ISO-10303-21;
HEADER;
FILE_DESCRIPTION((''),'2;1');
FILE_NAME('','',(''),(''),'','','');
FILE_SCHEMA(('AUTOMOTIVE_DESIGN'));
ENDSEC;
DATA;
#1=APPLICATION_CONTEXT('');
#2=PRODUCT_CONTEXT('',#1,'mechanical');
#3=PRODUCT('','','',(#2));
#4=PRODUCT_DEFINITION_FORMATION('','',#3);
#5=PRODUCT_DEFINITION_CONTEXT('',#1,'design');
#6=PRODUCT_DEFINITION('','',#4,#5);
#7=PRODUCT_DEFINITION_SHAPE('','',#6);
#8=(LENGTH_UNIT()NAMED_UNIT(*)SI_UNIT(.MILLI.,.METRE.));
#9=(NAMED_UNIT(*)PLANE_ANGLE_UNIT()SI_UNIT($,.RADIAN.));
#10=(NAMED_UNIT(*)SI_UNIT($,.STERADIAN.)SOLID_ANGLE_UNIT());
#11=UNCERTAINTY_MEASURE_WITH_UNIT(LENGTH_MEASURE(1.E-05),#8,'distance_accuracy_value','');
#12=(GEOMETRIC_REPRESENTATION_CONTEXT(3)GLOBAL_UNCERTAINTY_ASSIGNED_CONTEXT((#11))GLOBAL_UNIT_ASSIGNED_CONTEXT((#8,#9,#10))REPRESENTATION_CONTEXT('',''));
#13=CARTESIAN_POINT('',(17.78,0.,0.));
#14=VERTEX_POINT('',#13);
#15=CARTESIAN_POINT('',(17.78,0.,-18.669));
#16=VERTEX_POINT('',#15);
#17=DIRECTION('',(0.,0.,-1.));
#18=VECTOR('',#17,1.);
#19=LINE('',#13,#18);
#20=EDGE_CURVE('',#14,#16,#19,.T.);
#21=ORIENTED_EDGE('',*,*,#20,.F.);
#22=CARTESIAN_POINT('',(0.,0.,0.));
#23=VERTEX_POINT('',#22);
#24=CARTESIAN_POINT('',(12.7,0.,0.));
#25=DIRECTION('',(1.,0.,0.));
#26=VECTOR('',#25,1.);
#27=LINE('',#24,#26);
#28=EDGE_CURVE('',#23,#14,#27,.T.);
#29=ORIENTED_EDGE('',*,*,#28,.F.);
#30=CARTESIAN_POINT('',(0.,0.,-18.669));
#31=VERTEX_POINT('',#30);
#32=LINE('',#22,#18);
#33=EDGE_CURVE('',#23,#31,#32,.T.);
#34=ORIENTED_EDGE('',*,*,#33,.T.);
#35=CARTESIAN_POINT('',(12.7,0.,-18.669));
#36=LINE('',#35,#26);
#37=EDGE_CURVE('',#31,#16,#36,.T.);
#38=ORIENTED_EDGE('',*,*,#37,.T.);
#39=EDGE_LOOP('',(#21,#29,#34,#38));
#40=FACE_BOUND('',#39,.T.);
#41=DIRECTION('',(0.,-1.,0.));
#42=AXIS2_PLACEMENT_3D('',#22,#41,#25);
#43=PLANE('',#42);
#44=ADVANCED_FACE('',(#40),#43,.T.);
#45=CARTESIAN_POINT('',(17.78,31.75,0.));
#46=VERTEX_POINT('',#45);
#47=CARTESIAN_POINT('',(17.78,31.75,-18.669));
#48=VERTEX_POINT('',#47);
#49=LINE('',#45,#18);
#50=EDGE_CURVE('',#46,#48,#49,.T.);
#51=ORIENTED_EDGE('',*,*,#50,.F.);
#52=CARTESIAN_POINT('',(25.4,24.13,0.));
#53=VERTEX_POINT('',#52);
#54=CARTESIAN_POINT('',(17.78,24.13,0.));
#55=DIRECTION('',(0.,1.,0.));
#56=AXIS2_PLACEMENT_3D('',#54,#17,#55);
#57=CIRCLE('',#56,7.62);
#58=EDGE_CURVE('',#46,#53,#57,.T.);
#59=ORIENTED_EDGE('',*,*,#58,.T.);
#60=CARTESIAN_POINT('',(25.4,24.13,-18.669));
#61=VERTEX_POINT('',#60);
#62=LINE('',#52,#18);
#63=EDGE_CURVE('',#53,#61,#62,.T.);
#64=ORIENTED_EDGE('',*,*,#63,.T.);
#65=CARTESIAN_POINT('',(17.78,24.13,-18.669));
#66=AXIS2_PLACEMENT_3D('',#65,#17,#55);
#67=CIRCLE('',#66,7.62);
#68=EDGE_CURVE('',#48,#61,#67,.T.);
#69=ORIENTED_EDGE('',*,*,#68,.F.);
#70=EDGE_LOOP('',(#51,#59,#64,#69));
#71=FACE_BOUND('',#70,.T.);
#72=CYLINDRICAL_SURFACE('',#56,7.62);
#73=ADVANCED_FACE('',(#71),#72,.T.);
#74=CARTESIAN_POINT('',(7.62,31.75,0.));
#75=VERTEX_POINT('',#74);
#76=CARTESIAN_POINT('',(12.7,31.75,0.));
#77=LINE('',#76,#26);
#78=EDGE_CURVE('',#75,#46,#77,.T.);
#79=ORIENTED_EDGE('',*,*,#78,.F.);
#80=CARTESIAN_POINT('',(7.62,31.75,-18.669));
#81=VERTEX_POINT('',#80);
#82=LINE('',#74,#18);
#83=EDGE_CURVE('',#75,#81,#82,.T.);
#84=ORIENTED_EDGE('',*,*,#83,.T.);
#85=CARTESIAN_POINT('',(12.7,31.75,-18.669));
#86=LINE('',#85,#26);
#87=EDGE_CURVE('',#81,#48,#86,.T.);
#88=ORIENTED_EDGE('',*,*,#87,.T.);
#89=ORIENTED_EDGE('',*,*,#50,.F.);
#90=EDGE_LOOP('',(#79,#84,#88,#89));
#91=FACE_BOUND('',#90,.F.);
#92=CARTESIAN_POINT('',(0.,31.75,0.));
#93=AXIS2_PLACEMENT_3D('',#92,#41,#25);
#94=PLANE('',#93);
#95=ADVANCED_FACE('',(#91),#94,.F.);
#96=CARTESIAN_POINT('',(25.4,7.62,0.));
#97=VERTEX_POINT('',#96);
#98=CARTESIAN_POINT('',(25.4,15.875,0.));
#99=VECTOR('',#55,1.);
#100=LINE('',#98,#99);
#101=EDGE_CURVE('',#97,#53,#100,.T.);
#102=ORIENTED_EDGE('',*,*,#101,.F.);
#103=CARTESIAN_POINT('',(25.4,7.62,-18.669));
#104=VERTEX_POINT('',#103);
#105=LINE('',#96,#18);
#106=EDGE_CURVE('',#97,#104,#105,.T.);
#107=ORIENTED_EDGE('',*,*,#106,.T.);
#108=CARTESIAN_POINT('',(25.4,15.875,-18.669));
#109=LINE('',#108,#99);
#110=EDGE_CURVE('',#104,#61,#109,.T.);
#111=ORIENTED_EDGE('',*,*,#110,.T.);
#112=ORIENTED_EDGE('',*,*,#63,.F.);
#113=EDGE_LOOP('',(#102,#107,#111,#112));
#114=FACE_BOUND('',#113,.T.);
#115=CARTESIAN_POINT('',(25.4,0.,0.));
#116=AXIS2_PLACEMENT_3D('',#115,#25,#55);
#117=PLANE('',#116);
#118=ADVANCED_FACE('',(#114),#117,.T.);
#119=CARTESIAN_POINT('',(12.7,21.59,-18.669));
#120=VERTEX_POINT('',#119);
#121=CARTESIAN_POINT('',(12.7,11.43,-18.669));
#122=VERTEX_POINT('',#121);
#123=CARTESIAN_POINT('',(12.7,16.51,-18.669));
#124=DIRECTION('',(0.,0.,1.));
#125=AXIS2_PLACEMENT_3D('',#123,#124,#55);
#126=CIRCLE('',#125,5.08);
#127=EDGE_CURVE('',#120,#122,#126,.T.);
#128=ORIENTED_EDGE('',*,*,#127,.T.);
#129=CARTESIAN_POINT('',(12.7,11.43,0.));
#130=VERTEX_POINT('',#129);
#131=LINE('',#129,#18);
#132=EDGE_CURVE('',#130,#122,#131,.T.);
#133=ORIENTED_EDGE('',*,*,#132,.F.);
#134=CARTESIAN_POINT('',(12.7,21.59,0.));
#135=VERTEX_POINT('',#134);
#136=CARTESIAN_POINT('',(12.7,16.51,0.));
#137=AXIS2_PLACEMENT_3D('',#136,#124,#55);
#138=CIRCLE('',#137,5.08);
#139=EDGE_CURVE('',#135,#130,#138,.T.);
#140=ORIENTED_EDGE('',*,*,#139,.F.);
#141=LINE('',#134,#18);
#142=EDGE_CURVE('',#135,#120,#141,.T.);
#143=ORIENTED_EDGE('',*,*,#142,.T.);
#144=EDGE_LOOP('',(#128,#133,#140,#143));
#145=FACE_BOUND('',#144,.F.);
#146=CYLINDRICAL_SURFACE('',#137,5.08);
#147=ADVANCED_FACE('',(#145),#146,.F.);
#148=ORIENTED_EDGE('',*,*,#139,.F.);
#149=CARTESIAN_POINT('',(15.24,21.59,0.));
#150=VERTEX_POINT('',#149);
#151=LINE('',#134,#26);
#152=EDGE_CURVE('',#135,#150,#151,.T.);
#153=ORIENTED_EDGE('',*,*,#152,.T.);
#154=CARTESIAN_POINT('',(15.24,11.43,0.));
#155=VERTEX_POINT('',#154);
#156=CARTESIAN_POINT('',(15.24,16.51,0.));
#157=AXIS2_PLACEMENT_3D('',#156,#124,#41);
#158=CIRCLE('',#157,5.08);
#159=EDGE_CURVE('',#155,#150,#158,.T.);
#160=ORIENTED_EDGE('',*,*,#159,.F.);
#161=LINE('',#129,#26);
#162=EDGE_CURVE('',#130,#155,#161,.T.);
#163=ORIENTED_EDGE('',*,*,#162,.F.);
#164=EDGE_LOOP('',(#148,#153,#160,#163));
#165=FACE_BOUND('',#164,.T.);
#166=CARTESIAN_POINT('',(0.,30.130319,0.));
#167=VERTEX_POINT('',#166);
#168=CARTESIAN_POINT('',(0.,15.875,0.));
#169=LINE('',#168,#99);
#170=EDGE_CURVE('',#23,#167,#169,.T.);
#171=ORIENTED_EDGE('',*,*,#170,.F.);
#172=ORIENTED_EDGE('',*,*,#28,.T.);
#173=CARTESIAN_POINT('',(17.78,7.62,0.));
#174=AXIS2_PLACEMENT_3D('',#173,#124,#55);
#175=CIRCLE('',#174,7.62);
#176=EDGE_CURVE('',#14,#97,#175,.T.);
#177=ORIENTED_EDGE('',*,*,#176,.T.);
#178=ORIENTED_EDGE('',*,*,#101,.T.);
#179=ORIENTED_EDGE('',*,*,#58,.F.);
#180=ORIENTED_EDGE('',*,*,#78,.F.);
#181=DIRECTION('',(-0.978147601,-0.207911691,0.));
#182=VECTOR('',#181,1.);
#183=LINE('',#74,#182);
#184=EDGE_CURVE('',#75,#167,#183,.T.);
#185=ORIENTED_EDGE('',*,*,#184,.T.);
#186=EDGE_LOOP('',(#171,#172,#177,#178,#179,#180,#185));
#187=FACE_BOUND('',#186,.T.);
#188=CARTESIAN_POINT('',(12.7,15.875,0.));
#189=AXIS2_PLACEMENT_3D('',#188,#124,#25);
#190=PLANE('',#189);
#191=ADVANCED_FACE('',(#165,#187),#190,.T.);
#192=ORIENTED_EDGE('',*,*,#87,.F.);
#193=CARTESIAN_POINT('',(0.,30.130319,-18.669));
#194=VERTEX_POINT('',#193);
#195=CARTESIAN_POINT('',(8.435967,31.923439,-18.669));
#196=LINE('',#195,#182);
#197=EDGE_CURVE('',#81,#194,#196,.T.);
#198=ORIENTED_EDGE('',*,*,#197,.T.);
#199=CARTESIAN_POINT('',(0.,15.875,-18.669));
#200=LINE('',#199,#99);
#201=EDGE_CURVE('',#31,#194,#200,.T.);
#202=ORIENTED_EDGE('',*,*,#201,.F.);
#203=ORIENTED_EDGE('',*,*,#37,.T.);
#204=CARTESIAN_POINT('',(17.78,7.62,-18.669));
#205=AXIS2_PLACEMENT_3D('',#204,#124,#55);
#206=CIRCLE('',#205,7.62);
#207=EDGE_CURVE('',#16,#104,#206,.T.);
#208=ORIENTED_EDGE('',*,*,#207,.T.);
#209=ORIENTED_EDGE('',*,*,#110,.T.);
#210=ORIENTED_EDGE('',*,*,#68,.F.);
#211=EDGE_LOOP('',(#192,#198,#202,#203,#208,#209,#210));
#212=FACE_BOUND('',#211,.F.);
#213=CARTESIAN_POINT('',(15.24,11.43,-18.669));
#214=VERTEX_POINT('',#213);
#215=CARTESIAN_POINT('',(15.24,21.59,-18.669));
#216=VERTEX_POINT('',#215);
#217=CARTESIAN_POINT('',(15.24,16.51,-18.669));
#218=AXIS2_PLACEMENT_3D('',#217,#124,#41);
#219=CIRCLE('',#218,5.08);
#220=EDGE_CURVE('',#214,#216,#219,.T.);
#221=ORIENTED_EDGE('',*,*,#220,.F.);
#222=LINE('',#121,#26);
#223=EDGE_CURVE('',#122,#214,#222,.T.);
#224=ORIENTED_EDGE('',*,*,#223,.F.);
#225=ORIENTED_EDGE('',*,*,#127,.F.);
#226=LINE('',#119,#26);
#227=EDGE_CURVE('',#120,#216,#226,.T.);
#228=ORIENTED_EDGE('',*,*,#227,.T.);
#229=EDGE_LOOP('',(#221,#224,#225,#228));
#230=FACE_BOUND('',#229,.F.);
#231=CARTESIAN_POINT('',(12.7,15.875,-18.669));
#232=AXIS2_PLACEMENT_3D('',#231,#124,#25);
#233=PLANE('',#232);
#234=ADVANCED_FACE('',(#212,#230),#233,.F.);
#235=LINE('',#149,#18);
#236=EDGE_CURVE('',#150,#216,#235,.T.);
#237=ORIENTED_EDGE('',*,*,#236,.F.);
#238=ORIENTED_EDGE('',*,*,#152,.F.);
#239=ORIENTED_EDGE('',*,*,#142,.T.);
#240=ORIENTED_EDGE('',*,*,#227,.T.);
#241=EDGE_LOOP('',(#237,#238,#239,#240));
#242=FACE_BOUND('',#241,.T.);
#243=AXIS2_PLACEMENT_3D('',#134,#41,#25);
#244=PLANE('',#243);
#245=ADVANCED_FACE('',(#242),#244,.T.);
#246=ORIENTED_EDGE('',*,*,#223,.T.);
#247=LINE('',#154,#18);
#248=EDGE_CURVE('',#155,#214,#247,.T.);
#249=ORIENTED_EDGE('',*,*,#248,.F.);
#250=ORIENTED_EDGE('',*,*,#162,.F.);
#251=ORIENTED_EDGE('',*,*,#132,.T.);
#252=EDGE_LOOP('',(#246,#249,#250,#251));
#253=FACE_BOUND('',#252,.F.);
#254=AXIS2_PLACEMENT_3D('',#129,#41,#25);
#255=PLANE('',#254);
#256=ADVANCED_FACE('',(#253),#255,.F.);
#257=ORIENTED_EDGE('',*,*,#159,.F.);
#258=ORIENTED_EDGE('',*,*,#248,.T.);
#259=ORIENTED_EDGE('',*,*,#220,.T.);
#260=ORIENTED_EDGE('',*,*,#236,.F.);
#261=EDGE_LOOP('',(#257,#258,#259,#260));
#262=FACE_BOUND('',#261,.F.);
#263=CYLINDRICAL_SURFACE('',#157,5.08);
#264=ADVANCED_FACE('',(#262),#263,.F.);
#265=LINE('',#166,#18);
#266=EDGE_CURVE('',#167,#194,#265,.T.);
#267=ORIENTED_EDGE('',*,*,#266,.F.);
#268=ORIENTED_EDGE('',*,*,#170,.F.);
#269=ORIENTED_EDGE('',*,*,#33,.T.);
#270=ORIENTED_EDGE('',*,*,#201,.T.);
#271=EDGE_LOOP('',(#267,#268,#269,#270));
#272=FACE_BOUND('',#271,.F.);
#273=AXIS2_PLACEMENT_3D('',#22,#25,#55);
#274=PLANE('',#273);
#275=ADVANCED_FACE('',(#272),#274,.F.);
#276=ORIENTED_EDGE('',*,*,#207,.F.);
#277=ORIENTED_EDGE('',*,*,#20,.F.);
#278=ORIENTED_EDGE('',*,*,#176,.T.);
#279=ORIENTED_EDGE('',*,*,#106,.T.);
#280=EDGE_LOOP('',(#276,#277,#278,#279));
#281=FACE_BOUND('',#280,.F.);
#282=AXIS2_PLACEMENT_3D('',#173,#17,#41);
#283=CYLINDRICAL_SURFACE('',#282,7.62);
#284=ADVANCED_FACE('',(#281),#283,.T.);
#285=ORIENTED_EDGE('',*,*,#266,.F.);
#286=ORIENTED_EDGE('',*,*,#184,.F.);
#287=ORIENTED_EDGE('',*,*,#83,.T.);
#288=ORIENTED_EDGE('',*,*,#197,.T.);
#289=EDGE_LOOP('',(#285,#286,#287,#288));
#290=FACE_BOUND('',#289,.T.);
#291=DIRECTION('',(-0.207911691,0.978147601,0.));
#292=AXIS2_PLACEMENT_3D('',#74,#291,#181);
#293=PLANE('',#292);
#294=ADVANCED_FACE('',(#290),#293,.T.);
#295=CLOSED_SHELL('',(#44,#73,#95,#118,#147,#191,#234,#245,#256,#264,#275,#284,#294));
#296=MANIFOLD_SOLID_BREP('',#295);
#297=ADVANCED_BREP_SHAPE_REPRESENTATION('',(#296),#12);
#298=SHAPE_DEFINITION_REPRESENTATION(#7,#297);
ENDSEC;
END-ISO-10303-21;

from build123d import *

# Parameters (mm, degrees)
SKETCH_W        = 25.4
SKETCH_H        = 31.75
PAD_DEPTH       = 18.669
POCKET_DEPTH    = 18.67
FILLET_R        = 7.62
POCKET001_DEPTH = 18.67


with BuildPart() as part:
    # Sketch → Pad (new body)
    with BuildSketch(Plane.XY):
        with Locations((12.7, 15.875)):
            Rectangle(SKETCH_W, SKETCH_H)
    extrude(amount=-PAD_DEPTH)

    # Sketch001 (on Face5 of Pad) → Pocket (cut, through all)
    with BuildSketch(Plane.XY):
        Polygon((7.62, 31.75), (0, 30.130319), (0, 31.75), align=None)
    extrude(amount=-POCKET_DEPTH, mode=Mode.SUBTRACT)

    # Fillet
    fillet_edges = [part.edges().sort_by_distance(p)[0] for p in [
        (25.4, 31.75, -9.3345),
        (25.4, 0, -9.3345),
    ]]
    fillet(fillet_edges, radius=FILLET_R)

    # Sketch002 (on Face2 of Fillet) → Pocket001 (cut, through all)
    with BuildSketch(Plane.XY):
        with BuildLine():
            ThreePointArc((12.7, 21.59), (7.62, 16.51), (12.7, 11.43))
            Line((12.7, 11.43), (15.24, 11.43))
            ThreePointArc((15.24, 11.43), (20.32, 16.51), (15.24, 21.59))
            Line((12.7, 21.59), (15.24, 21.59))
        make_face()
    extrude(amount=-POCKET001_DEPTH, mode=Mode.SUBTRACT)


solid = part.part
